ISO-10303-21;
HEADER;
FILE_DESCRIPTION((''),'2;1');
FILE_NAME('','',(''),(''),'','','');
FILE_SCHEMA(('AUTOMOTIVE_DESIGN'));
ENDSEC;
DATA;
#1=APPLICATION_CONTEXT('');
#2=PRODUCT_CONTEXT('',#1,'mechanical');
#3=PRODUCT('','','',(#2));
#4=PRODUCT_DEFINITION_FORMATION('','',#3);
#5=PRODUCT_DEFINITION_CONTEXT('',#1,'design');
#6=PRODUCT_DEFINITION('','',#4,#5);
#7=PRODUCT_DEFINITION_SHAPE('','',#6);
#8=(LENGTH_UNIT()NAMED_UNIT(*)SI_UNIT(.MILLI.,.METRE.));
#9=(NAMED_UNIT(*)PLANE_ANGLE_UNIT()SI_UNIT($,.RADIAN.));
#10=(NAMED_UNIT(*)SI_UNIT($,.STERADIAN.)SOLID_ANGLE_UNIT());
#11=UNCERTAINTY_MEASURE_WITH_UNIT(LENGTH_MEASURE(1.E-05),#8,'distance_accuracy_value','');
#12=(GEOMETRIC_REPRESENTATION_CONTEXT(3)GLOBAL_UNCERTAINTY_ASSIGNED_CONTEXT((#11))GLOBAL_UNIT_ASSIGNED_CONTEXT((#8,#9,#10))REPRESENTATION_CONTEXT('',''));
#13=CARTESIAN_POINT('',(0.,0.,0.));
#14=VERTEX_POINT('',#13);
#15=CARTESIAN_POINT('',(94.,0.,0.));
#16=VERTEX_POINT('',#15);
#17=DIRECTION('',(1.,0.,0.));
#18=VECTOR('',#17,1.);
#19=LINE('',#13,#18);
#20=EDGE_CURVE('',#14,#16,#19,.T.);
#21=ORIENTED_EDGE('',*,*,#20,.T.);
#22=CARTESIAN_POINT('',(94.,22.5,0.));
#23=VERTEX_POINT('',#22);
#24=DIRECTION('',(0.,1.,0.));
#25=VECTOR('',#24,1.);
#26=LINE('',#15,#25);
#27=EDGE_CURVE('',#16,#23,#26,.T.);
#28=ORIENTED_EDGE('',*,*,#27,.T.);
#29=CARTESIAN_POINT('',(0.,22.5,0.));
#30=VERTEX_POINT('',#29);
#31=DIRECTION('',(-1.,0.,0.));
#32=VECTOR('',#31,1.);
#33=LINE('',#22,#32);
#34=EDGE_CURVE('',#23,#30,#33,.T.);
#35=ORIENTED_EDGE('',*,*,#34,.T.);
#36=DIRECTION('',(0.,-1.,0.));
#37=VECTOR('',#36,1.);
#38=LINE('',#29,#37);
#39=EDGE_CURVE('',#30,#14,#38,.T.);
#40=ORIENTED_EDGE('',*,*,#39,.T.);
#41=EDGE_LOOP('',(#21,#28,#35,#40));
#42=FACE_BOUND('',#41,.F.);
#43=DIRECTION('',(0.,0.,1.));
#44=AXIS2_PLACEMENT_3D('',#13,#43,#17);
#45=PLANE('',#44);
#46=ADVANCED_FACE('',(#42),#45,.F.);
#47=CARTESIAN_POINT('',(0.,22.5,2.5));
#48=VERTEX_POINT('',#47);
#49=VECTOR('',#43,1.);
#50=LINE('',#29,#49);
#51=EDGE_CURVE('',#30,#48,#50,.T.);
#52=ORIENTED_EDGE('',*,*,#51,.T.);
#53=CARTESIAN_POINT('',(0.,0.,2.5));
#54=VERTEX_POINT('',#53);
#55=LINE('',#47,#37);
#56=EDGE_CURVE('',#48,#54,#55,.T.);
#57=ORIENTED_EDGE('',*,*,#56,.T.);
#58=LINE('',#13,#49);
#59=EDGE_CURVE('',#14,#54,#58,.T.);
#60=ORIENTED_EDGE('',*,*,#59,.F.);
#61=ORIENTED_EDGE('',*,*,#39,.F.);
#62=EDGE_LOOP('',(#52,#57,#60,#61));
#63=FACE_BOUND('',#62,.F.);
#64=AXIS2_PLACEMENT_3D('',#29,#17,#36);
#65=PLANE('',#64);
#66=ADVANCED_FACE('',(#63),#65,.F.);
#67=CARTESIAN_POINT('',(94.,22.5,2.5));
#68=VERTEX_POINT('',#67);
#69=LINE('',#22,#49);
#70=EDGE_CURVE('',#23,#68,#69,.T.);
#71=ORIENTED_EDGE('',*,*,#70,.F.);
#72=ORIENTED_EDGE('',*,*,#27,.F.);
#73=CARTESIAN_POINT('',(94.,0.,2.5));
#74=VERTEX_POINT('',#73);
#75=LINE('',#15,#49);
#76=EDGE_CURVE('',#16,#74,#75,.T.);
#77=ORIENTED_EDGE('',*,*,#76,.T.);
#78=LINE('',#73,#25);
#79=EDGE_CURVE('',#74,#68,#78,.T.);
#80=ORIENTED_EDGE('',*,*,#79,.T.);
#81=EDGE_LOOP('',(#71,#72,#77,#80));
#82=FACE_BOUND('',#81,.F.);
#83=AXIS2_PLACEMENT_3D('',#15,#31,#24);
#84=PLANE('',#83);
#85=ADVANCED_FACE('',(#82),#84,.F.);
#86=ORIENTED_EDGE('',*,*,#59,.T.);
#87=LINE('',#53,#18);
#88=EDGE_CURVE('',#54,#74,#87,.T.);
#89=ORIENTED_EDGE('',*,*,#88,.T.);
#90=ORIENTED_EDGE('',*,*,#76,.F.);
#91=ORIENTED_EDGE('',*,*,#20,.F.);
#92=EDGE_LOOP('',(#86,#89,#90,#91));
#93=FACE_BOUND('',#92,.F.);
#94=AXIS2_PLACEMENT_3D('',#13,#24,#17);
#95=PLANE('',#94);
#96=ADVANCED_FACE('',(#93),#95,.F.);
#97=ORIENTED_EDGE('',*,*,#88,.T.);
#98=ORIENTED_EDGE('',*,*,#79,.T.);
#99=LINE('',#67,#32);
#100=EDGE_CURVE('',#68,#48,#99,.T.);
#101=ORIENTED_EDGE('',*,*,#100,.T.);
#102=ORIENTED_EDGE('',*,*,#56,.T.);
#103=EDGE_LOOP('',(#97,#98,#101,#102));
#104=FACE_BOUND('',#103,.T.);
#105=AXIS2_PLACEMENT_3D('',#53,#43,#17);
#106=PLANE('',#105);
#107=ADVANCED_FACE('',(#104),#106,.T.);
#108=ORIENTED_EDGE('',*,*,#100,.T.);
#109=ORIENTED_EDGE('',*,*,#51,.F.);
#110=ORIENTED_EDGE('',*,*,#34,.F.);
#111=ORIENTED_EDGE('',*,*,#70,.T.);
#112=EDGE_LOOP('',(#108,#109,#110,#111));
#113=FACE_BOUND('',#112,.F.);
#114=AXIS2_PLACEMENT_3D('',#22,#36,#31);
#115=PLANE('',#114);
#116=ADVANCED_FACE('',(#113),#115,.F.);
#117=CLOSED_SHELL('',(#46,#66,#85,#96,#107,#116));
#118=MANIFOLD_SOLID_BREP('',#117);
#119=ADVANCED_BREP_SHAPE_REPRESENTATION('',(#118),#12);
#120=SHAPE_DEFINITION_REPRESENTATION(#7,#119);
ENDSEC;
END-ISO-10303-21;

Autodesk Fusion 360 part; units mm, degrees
sketch "Esboço1" plane through (0, 0, 0) normal (0, 0, 1) x (1, 0, 0)
  line L0 (0, 0) -> (94, 0)
  line L1 (94, 0) -> (94, 22.5)
  line L2 (94, 22.5) -> (0, 22.5)
  line L3 (0, 22.5) -> (0, 0)
  dimension "d1" = 94
  dimension "d2" = 22.5
extrude "Extrusão1" add sketch "Esboço1" along normal blind 2.5
